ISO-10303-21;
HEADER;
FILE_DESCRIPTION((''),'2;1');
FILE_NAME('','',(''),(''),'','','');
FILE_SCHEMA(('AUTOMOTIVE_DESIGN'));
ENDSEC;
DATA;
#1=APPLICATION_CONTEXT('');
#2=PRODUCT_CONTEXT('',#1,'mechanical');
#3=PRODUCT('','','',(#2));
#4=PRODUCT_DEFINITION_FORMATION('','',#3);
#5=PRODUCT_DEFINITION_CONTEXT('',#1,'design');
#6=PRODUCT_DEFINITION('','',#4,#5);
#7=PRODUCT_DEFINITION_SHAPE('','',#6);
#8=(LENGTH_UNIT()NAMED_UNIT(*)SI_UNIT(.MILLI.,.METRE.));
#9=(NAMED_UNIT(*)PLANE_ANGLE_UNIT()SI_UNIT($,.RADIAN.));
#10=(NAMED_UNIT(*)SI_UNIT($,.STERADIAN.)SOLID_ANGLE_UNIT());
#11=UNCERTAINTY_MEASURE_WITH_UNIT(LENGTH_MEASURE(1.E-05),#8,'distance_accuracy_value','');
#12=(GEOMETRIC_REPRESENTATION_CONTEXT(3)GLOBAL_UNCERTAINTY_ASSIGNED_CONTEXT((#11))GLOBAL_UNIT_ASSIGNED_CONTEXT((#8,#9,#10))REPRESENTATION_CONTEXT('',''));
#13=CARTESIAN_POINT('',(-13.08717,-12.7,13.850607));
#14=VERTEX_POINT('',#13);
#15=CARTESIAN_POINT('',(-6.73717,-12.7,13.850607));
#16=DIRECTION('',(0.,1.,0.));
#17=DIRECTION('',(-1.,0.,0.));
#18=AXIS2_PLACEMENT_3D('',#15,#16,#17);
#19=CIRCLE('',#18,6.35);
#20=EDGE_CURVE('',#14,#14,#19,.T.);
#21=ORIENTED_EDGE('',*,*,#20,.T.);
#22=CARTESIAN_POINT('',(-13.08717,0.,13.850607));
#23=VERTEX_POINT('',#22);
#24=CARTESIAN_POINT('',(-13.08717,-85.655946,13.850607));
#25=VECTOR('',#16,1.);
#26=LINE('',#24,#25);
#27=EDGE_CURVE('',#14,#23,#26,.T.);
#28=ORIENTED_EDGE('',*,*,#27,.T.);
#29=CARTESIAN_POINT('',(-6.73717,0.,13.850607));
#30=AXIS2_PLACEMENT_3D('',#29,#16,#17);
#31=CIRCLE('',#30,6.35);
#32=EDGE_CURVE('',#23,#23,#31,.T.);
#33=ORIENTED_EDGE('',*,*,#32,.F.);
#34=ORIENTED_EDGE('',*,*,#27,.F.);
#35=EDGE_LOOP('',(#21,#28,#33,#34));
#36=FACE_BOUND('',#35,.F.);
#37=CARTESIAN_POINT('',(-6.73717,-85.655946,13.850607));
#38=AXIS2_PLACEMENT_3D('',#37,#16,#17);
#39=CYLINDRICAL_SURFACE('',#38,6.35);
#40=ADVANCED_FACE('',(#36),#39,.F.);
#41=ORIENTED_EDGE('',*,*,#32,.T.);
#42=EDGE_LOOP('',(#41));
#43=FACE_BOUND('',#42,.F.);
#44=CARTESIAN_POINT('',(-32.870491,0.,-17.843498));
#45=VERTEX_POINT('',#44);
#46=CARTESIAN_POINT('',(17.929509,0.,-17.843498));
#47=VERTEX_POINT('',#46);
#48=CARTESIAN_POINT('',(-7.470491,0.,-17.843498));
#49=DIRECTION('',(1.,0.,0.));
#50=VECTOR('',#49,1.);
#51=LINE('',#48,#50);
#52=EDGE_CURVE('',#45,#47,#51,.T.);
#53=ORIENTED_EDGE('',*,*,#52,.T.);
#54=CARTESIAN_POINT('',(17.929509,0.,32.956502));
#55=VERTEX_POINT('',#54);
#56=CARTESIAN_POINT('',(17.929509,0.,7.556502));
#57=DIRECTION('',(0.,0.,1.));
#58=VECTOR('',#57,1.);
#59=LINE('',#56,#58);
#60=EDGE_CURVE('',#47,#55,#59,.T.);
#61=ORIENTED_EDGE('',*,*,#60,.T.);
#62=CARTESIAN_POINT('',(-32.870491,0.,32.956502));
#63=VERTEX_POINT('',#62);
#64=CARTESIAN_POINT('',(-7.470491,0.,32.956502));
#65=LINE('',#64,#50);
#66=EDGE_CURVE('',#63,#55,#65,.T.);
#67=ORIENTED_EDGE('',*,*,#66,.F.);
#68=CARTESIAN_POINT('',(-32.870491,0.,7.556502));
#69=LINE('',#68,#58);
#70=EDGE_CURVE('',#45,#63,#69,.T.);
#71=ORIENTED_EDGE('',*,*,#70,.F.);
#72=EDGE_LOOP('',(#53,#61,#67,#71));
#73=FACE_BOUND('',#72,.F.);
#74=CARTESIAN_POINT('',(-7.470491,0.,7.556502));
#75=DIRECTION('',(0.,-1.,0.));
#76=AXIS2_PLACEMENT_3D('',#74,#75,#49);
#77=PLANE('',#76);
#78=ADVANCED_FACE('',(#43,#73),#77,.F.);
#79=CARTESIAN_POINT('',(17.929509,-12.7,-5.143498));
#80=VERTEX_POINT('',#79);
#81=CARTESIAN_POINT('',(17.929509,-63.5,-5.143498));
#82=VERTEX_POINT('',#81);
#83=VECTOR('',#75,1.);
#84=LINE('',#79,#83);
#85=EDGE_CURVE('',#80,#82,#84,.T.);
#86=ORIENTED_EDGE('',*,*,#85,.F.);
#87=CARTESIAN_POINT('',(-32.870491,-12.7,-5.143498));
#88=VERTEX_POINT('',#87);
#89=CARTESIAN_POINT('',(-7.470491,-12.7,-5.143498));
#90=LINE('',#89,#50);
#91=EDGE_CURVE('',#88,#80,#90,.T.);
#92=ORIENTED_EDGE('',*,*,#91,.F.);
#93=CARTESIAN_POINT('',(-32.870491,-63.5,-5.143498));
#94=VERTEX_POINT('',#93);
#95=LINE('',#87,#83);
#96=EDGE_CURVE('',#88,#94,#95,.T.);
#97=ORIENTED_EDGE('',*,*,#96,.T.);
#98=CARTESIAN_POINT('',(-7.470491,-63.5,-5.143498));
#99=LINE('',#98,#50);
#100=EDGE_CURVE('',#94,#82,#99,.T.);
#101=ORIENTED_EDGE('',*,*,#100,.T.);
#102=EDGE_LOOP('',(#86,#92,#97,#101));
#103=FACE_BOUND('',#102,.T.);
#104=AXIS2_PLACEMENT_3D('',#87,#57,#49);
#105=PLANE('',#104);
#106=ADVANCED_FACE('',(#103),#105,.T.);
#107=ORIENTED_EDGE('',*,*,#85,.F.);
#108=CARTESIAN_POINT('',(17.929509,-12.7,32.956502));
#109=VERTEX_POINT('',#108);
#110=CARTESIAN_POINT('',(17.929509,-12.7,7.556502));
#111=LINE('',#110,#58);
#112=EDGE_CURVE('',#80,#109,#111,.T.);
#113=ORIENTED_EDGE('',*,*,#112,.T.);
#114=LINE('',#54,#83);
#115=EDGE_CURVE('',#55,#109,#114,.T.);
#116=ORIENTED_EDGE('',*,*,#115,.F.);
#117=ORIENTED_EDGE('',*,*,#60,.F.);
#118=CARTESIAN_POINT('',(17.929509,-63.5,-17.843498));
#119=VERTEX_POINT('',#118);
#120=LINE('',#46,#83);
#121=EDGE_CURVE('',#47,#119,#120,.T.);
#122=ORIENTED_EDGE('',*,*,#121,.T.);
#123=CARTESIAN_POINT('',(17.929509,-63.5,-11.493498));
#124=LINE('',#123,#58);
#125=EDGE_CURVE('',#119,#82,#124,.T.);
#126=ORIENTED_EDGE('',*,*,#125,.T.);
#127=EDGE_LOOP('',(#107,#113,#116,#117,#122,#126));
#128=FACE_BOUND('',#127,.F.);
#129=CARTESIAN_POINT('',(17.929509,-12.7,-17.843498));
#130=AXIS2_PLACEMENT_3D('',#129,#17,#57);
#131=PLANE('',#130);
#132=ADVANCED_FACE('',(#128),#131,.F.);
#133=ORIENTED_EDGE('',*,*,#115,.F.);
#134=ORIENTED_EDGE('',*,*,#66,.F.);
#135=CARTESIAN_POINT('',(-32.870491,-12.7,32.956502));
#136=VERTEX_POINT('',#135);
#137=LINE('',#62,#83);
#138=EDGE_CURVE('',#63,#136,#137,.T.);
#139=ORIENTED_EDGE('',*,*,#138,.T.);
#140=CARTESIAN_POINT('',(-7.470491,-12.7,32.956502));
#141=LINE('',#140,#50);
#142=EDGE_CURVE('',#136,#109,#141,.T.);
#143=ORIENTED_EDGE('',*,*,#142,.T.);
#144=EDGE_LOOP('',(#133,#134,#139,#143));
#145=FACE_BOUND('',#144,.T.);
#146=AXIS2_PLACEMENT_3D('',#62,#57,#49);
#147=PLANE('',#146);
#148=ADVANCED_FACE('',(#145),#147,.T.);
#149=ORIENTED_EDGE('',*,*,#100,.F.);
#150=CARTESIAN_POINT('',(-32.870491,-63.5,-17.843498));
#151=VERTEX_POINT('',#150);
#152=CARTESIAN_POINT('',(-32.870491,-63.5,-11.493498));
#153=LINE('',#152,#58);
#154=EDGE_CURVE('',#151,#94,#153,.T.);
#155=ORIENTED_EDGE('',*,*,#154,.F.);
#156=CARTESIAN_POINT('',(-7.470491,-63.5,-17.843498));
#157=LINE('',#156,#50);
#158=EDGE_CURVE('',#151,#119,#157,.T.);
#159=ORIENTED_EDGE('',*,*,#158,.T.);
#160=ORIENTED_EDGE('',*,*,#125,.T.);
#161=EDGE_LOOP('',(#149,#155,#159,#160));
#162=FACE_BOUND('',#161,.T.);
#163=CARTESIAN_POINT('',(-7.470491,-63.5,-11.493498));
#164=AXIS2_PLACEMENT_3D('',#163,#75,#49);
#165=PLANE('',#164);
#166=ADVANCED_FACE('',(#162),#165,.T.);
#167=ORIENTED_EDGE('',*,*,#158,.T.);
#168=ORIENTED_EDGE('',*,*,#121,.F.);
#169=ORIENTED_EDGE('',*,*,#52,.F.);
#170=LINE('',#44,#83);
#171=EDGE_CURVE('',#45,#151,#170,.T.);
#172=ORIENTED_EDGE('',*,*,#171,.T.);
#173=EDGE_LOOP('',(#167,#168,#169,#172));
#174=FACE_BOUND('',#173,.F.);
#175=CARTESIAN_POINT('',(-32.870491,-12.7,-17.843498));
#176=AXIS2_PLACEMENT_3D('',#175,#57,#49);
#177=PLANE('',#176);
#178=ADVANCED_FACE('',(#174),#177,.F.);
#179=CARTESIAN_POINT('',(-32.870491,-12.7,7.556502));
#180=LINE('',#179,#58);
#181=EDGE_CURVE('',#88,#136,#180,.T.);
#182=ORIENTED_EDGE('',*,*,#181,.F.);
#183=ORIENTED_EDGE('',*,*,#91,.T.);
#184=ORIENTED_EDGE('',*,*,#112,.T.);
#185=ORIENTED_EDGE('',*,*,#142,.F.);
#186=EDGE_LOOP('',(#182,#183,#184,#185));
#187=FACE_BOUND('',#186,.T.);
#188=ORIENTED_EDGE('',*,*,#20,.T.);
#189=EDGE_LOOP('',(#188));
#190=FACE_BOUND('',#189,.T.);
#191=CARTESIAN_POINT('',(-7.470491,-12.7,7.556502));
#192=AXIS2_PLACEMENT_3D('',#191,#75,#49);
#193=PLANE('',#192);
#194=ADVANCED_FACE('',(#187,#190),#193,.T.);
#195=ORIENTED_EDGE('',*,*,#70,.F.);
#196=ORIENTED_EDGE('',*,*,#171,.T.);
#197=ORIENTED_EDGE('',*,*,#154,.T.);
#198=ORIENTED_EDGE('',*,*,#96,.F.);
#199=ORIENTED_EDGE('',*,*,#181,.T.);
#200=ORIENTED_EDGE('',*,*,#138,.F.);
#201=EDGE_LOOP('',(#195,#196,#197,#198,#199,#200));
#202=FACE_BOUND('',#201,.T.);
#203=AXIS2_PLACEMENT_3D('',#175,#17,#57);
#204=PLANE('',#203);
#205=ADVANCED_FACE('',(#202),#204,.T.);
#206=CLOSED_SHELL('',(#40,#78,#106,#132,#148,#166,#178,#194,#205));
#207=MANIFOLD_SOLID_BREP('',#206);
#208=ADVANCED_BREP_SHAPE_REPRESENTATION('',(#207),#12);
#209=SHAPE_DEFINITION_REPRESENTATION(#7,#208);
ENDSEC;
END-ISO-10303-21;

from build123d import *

# Parameters (mm, degrees)
F0_W     = 50.8
F0_H     = 50.8
F1_DEPTH = 12.7
F3_D     = 12.7
F4_W     = 50.8
F4_H     = 12.7
F5_DEPTH = 50.8


with BuildPart() as f1:
    # F0 (on Front) → F1 (new body)
    with BuildSketch(Plane.XZ):
        with Locations((-7.470491, 7.556502)):
            Rectangle(F0_W, F0_H)
    extrude(amount=F1_DEPTH)

    # F3 (through all)
    with Locations(Plane.XZ.offset(12.7)):
        with Locations((-6.73717, 13.850607)):
            Hole(F3_D / 2)

    # F4 (on face) → F5 (join)
    with BuildSketch(Plane.XZ.offset(12.7)):
        with Locations((-7.470491, -11.493498)):
            Rectangle(F4_W, F4_H)
    extrude(amount=F5_DEPTH)


solid = f1.part
